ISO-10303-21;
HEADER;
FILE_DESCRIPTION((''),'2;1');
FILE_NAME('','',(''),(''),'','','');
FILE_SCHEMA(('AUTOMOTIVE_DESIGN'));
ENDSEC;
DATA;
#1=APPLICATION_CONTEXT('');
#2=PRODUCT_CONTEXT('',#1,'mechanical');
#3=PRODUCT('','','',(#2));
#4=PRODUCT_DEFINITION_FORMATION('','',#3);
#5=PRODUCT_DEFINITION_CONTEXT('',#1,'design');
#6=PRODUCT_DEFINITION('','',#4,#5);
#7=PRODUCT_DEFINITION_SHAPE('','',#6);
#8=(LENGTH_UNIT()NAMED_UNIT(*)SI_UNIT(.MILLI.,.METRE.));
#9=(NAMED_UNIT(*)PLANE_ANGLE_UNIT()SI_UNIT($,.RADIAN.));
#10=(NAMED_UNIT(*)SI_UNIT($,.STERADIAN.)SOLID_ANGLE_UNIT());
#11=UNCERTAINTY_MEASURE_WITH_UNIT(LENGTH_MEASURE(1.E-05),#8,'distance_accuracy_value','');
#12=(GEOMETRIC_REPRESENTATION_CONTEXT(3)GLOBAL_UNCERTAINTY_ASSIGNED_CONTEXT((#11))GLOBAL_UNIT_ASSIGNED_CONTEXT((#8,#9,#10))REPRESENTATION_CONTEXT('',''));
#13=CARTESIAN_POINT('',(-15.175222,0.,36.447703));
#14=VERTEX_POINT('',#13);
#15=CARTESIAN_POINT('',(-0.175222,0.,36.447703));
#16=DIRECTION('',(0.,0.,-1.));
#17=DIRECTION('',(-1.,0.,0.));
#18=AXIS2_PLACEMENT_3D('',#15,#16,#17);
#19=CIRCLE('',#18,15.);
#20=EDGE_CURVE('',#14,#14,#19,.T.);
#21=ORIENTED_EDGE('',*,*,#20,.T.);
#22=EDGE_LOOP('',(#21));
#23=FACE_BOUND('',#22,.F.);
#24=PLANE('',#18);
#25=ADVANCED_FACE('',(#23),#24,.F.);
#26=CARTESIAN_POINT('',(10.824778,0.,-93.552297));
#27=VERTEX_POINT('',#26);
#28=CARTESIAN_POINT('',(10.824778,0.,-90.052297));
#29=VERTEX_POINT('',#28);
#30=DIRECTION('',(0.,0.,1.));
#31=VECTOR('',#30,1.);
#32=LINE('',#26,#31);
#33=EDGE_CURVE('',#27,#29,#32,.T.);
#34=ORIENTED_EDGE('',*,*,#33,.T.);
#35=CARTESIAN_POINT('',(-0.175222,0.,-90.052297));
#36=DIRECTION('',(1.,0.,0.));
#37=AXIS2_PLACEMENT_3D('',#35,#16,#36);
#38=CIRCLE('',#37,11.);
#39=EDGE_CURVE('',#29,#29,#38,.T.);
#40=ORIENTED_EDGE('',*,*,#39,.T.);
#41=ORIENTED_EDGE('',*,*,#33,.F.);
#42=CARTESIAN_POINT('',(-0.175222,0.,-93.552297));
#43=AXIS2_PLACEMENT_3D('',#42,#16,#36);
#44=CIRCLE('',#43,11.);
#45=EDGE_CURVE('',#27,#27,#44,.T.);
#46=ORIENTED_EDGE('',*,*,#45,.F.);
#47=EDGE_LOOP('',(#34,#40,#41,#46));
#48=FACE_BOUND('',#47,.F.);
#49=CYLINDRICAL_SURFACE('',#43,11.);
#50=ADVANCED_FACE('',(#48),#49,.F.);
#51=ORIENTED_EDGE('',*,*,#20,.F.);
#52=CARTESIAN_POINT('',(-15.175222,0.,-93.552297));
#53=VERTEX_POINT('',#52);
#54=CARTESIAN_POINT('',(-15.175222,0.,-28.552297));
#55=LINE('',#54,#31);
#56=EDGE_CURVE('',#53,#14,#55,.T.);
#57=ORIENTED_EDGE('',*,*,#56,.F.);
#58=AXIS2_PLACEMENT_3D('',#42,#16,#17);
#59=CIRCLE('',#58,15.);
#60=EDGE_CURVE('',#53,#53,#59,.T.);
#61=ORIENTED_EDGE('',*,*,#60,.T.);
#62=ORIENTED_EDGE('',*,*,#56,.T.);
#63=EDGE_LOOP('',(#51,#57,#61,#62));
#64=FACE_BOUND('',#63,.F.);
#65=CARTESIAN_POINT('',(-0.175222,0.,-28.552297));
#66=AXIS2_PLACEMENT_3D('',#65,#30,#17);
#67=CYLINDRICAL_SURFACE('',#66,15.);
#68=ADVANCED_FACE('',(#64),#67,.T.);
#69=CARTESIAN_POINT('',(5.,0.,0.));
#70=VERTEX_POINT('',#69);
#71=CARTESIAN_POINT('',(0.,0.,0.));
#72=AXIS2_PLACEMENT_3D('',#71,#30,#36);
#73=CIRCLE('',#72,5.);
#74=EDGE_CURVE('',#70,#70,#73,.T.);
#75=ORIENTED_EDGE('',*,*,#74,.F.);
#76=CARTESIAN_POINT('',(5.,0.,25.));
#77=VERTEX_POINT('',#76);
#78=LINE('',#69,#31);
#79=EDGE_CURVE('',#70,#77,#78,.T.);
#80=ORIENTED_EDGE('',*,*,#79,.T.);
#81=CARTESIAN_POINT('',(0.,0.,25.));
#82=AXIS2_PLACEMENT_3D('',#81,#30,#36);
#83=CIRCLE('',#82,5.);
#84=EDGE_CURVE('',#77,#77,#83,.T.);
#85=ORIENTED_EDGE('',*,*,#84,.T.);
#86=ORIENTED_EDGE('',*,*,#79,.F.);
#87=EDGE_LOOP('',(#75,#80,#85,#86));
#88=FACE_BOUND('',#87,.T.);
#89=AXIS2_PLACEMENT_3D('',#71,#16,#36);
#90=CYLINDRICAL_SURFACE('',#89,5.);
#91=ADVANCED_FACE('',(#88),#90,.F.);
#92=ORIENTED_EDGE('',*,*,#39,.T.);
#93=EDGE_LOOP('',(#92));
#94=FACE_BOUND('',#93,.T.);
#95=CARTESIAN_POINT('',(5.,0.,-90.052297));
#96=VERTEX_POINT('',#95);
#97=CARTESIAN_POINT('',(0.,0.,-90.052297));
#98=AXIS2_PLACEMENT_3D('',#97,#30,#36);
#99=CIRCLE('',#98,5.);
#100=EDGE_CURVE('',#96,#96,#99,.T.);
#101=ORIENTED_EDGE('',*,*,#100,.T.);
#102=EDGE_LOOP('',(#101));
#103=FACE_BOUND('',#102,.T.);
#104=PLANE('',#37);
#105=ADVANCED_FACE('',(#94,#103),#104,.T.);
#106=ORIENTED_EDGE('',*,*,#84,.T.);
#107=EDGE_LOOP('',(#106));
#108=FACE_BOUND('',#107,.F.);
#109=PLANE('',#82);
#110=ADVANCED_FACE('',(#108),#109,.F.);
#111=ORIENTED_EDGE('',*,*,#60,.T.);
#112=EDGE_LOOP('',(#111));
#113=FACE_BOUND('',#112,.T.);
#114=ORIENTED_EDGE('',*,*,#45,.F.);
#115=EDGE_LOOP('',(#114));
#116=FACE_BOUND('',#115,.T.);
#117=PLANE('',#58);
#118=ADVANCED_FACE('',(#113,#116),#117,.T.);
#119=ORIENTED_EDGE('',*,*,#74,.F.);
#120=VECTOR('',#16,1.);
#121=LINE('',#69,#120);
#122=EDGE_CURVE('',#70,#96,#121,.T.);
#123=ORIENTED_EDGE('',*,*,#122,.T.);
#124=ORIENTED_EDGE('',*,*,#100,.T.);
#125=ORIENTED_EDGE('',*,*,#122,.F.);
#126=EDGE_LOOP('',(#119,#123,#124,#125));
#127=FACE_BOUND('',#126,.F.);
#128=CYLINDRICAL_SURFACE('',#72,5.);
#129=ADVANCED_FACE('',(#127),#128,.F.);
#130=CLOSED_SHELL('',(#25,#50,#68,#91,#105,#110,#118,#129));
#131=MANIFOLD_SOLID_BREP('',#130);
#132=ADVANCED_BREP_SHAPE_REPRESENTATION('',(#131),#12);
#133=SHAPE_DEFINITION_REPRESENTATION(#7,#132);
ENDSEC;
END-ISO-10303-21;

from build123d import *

# Parameters (mm, degrees)
F0_W          = 15
F0_H          = 130
F2_R          = 5
F3_DEPTH      = 93.5532969241
F3_DEPTH_BACK = 25
F4_R          = 11
F5_DEPTH      = 3.5


with BuildPart() as f1:
    # F0 (on Front) → F1 (revolve)
    with BuildSketch(Plane.XZ):
        with Locations((-7.6752220338, -28.5522969241)):
            Rectangle(F0_W, F0_H)
    revolve(axis=Axis((-0.1752220338, 0, -28.5522969241), (0, 0, -1)))

    # F2 (on Top) → F3 (cut, two sides)
    with BuildSketch(Plane.XY) as f3_sk:
        Circle(F2_R)
    extrude(amount=-F3_DEPTH, mode=Mode.SUBTRACT)
    extrude(f3_sk.sketch, amount=F3_DEPTH_BACK, mode=Mode.SUBTRACT)

    # F4 (on face) → F5 (cut)
    with BuildSketch(Plane(origin=(0, 0, -93.5522969241), x_dir=(1, 0, 0), z_dir=(0, 0, -1))):
        with Locations((-0.1752220338, 0)):
            Circle(F4_R)
    extrude(amount=-F5_DEPTH, mode=Mode.SUBTRACT)


solid = f1.part
